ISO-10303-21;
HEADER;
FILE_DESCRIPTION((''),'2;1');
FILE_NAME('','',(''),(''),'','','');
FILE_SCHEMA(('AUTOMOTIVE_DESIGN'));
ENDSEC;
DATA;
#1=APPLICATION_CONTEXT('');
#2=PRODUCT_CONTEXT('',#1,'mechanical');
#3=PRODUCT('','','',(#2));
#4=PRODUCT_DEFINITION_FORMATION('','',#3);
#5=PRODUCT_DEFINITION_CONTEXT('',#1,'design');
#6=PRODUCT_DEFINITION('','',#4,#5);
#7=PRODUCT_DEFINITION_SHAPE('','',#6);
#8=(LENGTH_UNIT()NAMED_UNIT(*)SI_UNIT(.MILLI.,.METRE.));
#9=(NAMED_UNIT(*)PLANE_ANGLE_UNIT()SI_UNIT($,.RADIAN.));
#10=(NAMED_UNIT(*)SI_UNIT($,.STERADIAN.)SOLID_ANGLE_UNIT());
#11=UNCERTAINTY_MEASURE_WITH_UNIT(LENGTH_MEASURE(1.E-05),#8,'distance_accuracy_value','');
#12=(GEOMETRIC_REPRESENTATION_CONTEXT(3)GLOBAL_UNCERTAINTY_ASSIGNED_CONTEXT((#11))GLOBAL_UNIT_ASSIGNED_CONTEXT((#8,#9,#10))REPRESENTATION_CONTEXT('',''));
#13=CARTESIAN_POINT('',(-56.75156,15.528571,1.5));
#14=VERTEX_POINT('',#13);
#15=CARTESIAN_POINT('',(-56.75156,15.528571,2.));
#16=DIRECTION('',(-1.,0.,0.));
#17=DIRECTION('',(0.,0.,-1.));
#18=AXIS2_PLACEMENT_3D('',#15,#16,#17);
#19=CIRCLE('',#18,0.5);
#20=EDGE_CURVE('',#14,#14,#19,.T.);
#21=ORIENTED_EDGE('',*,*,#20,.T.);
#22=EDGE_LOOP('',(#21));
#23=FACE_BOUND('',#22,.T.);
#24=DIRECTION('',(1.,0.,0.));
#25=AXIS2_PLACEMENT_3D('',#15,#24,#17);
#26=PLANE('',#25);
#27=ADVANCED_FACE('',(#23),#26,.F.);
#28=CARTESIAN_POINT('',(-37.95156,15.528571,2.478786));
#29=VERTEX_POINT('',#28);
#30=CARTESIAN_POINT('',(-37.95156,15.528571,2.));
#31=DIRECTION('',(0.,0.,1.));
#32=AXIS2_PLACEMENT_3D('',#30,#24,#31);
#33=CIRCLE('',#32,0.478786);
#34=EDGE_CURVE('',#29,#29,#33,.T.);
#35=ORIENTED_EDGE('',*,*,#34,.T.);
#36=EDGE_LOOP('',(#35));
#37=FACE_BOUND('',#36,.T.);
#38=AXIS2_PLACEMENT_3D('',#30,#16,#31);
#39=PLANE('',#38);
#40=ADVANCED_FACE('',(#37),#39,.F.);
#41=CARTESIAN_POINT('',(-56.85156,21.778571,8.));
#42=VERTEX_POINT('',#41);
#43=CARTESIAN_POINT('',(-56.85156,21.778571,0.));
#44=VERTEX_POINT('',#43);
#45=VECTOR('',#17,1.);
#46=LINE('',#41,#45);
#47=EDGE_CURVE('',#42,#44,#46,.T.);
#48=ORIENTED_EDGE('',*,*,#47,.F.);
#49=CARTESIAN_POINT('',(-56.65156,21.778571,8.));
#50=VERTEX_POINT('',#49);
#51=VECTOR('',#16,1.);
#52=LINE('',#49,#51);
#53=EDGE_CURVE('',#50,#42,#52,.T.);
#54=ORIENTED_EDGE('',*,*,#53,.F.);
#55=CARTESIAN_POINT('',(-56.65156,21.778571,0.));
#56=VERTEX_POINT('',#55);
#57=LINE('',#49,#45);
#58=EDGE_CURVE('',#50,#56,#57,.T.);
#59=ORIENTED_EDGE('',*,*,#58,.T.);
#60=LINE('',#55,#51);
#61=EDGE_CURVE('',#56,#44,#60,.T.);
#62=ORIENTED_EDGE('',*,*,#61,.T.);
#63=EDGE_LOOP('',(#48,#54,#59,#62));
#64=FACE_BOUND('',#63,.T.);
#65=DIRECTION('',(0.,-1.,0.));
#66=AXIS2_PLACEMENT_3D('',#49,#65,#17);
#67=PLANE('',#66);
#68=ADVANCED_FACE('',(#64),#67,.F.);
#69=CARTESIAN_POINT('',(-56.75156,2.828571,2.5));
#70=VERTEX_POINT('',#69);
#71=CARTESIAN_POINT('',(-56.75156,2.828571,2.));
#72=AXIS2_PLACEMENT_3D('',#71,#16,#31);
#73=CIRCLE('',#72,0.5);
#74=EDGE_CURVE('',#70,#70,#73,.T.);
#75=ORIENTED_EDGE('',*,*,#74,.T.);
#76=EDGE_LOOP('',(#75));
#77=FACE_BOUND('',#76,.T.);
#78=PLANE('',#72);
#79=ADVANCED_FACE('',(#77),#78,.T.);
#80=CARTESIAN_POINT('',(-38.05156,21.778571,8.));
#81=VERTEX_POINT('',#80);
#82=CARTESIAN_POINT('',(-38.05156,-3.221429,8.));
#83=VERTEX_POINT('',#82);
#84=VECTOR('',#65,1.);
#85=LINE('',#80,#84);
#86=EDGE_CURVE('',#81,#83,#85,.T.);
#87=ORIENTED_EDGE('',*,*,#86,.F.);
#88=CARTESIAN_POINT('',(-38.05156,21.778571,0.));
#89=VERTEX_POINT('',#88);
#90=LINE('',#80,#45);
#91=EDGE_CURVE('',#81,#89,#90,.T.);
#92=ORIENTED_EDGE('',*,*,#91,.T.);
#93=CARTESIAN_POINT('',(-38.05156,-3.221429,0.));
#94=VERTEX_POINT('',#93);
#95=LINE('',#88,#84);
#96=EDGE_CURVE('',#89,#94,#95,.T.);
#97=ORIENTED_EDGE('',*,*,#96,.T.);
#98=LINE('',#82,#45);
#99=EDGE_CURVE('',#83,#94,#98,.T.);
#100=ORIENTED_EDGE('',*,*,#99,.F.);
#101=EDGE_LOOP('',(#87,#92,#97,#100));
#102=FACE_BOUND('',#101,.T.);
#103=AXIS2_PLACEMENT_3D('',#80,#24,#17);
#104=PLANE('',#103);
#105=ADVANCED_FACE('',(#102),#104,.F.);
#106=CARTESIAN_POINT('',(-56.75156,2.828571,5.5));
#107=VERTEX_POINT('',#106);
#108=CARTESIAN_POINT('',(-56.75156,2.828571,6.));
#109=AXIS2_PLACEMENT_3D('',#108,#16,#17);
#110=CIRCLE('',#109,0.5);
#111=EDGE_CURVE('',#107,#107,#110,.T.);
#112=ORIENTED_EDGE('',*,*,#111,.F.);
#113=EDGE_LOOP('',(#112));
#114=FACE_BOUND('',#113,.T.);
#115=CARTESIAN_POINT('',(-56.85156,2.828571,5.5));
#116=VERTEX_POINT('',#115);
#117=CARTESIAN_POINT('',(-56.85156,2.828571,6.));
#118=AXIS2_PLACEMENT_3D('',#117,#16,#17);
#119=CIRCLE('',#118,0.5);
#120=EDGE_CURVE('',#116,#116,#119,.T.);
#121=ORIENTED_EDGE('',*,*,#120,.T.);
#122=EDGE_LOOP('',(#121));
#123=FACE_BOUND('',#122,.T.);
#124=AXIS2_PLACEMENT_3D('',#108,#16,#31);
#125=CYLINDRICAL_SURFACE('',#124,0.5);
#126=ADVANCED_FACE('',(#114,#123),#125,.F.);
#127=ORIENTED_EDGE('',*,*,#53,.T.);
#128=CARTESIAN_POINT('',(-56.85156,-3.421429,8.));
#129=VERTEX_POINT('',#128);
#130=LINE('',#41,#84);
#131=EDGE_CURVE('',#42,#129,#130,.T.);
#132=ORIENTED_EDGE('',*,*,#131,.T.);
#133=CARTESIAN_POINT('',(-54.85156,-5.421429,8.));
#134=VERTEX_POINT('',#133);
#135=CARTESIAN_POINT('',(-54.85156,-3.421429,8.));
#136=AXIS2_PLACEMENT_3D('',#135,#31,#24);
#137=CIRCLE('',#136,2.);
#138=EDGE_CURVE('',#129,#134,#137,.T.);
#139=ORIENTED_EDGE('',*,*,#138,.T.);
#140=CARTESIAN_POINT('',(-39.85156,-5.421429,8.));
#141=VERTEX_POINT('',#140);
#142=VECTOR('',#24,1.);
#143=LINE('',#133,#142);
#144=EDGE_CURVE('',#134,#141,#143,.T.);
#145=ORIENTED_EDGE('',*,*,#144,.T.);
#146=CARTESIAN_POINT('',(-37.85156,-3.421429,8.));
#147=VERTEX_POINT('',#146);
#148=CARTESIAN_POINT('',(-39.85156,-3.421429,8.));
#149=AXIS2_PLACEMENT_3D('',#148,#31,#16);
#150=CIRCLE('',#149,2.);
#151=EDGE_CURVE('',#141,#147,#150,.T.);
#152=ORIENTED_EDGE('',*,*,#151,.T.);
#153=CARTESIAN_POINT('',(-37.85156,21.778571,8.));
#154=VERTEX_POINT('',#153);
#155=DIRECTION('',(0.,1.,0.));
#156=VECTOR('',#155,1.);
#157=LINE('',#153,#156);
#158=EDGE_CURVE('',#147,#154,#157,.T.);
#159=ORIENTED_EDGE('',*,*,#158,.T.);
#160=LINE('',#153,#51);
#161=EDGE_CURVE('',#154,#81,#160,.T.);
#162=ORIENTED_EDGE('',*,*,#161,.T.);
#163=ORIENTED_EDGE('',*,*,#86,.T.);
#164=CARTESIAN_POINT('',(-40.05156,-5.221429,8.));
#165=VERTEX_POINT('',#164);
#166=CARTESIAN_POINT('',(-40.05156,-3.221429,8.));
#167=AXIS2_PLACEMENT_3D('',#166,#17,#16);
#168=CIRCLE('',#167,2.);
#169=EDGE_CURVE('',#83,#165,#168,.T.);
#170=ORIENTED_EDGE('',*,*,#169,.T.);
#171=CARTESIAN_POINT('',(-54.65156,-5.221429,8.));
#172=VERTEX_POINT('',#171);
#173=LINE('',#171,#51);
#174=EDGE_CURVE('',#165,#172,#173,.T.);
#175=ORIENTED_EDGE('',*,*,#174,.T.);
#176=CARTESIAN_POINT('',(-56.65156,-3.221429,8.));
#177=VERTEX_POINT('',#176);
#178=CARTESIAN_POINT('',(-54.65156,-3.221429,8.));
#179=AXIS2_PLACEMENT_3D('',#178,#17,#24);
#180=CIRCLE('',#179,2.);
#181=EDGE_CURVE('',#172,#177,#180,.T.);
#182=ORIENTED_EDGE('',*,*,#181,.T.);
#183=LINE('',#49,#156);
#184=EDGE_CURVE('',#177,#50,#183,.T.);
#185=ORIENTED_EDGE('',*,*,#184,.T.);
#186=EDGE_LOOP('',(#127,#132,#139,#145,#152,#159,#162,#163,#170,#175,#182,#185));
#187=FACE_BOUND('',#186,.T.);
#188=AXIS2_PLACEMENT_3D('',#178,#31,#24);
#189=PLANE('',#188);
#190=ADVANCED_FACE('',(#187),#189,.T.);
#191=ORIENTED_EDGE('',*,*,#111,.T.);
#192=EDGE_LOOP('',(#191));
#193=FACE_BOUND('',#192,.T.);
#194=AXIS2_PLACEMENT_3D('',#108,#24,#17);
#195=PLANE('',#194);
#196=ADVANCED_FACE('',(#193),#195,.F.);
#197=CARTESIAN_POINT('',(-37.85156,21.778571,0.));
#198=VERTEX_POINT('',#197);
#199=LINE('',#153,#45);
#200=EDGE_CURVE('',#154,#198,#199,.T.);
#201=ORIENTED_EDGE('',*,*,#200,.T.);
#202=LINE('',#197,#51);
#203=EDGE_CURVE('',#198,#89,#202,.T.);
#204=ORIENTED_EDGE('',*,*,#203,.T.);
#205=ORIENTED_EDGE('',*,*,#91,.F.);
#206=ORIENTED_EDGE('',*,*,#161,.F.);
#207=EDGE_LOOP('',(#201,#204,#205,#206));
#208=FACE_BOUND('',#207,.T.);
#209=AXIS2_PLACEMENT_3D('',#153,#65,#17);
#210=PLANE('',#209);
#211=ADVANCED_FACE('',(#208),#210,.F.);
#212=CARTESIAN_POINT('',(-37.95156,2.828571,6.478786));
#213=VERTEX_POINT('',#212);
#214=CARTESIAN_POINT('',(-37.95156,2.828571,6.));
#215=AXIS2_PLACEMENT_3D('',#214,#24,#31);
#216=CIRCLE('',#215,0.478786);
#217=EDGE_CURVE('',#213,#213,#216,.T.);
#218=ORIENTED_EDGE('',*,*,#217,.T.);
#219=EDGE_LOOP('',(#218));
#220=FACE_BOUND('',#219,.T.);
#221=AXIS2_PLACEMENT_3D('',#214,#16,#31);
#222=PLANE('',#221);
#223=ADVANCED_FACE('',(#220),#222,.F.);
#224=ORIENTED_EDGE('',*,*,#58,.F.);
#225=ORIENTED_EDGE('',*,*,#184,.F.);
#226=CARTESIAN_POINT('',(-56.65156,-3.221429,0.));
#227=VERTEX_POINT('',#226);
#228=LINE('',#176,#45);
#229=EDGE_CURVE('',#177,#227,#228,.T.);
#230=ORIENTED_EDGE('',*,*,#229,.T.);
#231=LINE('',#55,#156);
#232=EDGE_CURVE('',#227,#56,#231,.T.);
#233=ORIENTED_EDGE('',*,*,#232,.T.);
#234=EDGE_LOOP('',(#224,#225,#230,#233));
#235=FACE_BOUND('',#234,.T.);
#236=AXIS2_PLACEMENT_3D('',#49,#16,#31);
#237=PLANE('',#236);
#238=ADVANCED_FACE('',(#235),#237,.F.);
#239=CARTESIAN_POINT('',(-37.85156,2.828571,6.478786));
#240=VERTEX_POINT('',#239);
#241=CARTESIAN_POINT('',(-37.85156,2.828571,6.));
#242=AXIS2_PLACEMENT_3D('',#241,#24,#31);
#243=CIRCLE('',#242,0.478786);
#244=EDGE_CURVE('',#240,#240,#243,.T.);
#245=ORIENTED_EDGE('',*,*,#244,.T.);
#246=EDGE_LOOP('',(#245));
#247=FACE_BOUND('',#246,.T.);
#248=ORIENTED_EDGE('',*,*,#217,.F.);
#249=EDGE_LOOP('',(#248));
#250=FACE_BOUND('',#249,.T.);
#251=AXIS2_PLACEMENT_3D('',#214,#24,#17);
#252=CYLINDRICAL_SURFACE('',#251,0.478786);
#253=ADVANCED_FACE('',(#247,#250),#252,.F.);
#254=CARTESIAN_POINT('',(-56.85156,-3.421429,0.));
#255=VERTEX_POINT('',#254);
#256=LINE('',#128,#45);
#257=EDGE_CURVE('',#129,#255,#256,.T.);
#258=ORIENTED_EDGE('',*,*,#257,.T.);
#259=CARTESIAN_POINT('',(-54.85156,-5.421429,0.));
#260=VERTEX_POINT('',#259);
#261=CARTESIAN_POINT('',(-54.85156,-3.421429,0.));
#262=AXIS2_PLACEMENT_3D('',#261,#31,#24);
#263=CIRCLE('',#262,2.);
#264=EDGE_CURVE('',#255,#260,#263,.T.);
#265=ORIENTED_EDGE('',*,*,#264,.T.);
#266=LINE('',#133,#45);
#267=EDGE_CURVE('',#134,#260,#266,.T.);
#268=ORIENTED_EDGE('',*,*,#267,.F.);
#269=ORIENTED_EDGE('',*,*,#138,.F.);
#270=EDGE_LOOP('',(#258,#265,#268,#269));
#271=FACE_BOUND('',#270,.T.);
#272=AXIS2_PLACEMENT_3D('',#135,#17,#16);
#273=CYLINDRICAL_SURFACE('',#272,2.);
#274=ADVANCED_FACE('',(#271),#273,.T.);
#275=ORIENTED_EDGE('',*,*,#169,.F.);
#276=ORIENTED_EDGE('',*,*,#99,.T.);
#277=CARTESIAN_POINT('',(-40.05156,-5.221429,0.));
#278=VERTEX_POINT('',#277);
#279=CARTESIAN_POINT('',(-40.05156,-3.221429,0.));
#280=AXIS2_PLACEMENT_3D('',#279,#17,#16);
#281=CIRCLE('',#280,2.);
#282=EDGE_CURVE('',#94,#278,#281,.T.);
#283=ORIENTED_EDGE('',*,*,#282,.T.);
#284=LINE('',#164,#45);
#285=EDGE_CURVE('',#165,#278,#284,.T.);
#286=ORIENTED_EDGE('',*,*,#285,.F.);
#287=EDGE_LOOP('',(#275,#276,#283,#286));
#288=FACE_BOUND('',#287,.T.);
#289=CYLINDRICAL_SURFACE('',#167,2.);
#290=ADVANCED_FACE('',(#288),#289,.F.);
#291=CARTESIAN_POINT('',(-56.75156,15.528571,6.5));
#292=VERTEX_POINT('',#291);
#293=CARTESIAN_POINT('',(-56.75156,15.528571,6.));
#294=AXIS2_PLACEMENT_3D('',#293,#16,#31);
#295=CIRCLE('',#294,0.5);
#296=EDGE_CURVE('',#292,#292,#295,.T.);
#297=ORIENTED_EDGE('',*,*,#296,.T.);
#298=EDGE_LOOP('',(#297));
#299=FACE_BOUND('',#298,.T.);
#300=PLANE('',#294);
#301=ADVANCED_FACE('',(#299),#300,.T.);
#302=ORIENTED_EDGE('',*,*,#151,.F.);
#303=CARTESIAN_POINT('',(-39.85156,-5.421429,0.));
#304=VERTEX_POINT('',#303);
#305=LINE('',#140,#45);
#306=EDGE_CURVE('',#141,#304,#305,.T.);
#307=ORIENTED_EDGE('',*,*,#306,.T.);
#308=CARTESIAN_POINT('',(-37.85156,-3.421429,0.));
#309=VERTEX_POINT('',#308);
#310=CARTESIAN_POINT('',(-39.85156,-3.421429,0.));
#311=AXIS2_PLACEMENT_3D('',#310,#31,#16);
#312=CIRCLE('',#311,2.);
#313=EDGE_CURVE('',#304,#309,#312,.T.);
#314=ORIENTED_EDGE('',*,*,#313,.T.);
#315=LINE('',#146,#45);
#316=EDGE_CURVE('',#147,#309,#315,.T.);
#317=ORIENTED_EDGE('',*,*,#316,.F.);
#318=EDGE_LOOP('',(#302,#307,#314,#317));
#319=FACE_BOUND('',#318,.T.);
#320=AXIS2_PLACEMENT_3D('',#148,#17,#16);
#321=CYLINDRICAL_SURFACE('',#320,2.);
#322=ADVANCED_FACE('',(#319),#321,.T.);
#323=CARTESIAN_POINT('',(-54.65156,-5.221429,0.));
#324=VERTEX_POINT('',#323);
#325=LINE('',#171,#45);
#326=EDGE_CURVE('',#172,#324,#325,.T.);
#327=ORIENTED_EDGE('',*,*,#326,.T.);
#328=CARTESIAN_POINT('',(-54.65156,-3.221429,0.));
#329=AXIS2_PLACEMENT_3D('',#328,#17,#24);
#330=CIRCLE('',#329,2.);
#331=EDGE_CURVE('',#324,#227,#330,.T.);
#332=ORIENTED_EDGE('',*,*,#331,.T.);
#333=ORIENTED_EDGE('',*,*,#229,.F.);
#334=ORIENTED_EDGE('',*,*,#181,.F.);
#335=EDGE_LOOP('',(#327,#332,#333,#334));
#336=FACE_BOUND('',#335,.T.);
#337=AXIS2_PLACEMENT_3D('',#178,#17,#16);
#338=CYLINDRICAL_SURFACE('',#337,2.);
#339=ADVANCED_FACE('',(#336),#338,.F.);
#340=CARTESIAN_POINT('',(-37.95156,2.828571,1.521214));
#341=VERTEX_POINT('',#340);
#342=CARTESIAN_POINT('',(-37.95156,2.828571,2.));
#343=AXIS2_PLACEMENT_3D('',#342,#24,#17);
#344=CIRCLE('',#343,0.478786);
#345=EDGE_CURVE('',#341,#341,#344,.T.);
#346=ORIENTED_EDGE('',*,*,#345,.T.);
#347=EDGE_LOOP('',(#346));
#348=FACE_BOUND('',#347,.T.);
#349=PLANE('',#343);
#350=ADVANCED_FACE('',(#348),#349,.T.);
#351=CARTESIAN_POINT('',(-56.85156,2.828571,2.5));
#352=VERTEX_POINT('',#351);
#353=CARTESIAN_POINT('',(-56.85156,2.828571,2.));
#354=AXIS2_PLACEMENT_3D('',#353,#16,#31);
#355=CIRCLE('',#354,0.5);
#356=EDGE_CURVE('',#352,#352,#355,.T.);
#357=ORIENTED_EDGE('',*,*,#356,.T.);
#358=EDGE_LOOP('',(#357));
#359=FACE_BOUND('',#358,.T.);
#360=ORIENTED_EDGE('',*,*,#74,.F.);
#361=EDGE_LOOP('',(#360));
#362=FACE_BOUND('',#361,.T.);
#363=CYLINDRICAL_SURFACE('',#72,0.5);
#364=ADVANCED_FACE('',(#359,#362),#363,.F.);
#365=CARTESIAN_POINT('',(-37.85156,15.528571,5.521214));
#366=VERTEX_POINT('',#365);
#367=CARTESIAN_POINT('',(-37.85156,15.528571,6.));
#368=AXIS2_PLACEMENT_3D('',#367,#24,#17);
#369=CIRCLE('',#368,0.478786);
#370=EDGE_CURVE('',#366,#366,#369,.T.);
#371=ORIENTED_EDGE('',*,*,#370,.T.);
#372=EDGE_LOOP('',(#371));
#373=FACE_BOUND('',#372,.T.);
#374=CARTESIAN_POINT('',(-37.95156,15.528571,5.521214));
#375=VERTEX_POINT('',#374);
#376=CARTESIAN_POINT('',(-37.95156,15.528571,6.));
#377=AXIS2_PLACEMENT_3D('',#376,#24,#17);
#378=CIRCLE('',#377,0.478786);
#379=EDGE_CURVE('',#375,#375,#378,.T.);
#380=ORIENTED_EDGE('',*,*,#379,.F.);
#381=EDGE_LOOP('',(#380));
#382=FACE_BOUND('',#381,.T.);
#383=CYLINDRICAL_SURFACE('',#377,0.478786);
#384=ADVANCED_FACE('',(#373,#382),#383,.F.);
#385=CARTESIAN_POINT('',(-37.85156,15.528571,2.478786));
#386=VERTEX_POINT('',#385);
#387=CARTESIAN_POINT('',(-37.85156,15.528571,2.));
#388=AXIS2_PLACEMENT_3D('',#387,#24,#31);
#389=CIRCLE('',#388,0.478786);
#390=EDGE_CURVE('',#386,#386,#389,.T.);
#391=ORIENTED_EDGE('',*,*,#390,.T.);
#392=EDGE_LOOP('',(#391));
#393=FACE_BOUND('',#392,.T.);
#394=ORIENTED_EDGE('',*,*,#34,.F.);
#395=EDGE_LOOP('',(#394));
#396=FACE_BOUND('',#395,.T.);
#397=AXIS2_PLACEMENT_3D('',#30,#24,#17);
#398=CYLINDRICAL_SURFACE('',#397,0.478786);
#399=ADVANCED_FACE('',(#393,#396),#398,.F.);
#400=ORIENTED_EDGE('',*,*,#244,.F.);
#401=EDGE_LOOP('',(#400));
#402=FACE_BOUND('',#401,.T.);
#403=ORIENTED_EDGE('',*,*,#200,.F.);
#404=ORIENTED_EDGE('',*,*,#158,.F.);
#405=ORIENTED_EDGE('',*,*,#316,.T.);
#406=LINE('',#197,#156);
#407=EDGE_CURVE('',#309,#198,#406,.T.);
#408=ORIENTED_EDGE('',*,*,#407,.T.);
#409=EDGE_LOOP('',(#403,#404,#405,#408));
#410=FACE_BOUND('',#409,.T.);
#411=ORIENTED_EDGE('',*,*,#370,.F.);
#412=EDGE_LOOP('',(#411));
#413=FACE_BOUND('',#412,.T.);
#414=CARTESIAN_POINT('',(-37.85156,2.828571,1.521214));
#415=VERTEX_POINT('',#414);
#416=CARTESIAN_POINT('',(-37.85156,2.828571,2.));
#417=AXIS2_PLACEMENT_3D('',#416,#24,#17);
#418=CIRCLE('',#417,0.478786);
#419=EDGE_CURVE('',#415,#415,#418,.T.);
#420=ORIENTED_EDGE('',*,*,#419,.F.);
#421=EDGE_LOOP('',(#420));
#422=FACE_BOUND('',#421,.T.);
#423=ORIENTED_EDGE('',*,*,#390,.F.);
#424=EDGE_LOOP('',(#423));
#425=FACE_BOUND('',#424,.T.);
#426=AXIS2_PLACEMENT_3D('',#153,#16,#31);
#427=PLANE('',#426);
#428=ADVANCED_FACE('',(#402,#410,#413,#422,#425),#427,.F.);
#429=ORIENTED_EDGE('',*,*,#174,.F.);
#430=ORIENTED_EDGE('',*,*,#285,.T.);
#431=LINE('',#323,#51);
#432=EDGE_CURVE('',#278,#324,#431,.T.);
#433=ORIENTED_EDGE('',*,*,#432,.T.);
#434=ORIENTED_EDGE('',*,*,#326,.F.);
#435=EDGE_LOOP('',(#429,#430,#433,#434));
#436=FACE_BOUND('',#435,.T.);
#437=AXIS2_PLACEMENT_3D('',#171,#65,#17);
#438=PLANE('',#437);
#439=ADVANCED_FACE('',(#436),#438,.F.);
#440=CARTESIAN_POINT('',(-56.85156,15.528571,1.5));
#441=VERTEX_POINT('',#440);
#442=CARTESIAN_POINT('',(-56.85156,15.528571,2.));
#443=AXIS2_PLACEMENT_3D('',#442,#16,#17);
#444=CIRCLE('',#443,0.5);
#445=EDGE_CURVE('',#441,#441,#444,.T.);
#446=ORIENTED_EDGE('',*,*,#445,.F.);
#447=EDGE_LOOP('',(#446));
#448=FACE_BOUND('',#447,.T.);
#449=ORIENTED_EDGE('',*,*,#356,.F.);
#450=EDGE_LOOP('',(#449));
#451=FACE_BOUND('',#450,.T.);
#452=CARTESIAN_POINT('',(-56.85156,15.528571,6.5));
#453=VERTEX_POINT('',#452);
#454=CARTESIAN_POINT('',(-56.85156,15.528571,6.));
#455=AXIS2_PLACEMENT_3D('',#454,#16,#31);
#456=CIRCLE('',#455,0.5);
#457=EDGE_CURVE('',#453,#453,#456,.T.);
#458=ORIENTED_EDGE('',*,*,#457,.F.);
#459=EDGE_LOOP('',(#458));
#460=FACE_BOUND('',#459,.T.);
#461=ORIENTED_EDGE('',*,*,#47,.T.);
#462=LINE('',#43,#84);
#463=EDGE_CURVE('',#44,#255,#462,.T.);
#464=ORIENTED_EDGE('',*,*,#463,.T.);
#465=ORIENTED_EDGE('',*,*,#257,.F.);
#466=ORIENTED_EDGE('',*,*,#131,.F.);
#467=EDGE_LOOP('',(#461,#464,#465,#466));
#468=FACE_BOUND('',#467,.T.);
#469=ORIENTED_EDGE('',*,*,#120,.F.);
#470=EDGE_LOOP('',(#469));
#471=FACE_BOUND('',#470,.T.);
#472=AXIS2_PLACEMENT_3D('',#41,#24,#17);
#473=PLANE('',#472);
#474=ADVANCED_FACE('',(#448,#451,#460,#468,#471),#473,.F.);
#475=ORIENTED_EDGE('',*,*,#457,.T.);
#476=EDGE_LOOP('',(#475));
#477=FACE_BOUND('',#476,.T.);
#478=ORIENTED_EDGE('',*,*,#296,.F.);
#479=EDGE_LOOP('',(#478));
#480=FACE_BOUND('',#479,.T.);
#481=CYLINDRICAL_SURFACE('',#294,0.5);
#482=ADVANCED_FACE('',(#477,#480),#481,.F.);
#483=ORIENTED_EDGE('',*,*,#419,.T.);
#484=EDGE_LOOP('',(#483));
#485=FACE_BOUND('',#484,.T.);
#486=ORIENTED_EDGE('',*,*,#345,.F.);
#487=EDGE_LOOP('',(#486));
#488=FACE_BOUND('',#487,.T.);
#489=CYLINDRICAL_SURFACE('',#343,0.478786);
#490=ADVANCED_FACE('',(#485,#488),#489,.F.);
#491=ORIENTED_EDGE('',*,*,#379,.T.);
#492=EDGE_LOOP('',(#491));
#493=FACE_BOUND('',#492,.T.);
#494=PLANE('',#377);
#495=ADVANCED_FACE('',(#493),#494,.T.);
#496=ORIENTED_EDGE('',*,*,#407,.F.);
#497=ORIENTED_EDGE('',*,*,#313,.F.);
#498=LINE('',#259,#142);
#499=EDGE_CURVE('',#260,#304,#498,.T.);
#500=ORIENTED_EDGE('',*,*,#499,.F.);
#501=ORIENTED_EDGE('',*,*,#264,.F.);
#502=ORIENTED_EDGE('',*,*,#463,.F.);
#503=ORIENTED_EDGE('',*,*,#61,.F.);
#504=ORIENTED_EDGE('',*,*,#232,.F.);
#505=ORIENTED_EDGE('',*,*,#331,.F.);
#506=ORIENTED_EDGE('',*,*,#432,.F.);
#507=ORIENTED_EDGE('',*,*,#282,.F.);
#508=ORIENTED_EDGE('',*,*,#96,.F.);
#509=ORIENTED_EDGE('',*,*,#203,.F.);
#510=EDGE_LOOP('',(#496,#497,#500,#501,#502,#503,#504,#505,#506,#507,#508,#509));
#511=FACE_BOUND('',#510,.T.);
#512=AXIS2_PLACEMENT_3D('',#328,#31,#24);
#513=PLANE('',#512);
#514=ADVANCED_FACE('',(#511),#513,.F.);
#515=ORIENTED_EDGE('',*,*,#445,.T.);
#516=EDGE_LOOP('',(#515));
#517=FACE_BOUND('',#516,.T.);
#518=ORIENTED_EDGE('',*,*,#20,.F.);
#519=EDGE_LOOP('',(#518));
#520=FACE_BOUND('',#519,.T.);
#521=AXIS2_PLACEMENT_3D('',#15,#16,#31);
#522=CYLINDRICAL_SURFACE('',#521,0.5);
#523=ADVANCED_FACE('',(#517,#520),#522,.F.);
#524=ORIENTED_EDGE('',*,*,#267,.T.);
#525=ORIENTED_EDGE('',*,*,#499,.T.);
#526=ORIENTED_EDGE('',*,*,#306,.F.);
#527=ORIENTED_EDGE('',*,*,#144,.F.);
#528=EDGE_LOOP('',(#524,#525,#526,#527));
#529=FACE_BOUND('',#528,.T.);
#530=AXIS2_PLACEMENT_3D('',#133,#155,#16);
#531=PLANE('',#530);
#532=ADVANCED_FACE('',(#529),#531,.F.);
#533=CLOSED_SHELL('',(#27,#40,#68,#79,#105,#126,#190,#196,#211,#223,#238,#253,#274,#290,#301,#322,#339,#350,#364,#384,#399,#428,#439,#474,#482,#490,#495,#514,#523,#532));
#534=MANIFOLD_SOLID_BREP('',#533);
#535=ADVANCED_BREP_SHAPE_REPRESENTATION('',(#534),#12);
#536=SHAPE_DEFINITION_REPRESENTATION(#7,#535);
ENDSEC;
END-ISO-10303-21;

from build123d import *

# Parameters (mm, degrees)
DODANIE_WYCI_GNI_CIE1_DEPTH = 8
SZKIC2_R                    = 0.478785513
WYTNIJ_WYCI_GNI_CIE1_DEPTH  = 0.1
SZKIC3_R                    = 0.5
WYTNIJ_WYCI_GNI_CIE2_DEPTH  = 0.1


with BuildPart() as part:
    # Szkic1 → Dodanie-wyciągnięcie1 (new body)
    with BuildSketch(Plane.XY):
        with BuildLine():
            Line((-56.651560295, 21.778571429), (-56.851560295, 21.778571429))
            Line((-56.851560295, 21.778571429), (-56.851560295, -3.421428571))
            ThreePointArc((-56.851560295, -3.421428571), (-56.265773857, -4.835642134), (-54.851560295, -5.421428571))
            Line((-54.851560295, -5.421428571), (-39.851560295, -5.421428571))
            ThreePointArc((-39.851560295, -5.421428571), (-38.437346732, -4.835642134), (-37.851560295, -3.421428571))
            Line((-37.851560295, -3.421428571), (-37.851560295, 21.778571429))
            Line((-37.851560295, 21.778571429), (-38.051560295, 21.778571429))
            Line((-38.051560295, 21.778571429), (-38.051560295, -3.221428571))
            ThreePointArc((-38.051560295, -3.221428571), (-38.637346732, -4.635642134), (-40.051560295, -5.221428571))
            Line((-40.051560295, -5.221428571), (-54.651560295, -5.221428571))
            ThreePointArc((-54.651560295, -5.221428571), (-56.065773857, -4.635642134), (-56.651560295, -3.221428571))
            Line((-56.651560295, -3.221428571), (-56.651560295, 21.778571429))
        make_face()
    extrude(amount=DODANIE_WYCI_GNI_CIE1_DEPTH)

    # Szkic2 → Wytnij-wyciągnięcie1 (cut)
    with BuildSketch(Plane(origin=(-37.851560295, 0, 0), x_dir=(0, 0, -1), z_dir=(1, 0, 0))):
        with Locations((-6, 15.528571429)):
            Circle(SZKIC2_R)
        with Locations((-2, 15.528571429)):
            Circle(SZKIC2_R)
        with Locations((-2, 2.828571429)):
            Circle(SZKIC2_R)
        with Locations((-6, 2.828571429)):
            Circle(SZKIC2_R)
    extrude(amount=-WYTNIJ_WYCI_GNI_CIE1_DEPTH, mode=Mode.SUBTRACT)

    # Szkic3 → Wytnij-wyciągnięcie2 (cut)
    with BuildSketch(Plane.ZY.offset(56.851560295)):
        with Locations((6, 15.528571429)):
            Circle(SZKIC3_R)
        with Locations((2, 15.528571429)):
            Circle(SZKIC3_R)
        with Locations((2, 2.828571429)):
            Circle(SZKIC3_R)
        with Locations((6, 2.828571429)):
            Circle(SZKIC3_R)
    extrude(amount=-WYTNIJ_WYCI_GNI_CIE2_DEPTH, mode=Mode.SUBTRACT)


solid = part.part
